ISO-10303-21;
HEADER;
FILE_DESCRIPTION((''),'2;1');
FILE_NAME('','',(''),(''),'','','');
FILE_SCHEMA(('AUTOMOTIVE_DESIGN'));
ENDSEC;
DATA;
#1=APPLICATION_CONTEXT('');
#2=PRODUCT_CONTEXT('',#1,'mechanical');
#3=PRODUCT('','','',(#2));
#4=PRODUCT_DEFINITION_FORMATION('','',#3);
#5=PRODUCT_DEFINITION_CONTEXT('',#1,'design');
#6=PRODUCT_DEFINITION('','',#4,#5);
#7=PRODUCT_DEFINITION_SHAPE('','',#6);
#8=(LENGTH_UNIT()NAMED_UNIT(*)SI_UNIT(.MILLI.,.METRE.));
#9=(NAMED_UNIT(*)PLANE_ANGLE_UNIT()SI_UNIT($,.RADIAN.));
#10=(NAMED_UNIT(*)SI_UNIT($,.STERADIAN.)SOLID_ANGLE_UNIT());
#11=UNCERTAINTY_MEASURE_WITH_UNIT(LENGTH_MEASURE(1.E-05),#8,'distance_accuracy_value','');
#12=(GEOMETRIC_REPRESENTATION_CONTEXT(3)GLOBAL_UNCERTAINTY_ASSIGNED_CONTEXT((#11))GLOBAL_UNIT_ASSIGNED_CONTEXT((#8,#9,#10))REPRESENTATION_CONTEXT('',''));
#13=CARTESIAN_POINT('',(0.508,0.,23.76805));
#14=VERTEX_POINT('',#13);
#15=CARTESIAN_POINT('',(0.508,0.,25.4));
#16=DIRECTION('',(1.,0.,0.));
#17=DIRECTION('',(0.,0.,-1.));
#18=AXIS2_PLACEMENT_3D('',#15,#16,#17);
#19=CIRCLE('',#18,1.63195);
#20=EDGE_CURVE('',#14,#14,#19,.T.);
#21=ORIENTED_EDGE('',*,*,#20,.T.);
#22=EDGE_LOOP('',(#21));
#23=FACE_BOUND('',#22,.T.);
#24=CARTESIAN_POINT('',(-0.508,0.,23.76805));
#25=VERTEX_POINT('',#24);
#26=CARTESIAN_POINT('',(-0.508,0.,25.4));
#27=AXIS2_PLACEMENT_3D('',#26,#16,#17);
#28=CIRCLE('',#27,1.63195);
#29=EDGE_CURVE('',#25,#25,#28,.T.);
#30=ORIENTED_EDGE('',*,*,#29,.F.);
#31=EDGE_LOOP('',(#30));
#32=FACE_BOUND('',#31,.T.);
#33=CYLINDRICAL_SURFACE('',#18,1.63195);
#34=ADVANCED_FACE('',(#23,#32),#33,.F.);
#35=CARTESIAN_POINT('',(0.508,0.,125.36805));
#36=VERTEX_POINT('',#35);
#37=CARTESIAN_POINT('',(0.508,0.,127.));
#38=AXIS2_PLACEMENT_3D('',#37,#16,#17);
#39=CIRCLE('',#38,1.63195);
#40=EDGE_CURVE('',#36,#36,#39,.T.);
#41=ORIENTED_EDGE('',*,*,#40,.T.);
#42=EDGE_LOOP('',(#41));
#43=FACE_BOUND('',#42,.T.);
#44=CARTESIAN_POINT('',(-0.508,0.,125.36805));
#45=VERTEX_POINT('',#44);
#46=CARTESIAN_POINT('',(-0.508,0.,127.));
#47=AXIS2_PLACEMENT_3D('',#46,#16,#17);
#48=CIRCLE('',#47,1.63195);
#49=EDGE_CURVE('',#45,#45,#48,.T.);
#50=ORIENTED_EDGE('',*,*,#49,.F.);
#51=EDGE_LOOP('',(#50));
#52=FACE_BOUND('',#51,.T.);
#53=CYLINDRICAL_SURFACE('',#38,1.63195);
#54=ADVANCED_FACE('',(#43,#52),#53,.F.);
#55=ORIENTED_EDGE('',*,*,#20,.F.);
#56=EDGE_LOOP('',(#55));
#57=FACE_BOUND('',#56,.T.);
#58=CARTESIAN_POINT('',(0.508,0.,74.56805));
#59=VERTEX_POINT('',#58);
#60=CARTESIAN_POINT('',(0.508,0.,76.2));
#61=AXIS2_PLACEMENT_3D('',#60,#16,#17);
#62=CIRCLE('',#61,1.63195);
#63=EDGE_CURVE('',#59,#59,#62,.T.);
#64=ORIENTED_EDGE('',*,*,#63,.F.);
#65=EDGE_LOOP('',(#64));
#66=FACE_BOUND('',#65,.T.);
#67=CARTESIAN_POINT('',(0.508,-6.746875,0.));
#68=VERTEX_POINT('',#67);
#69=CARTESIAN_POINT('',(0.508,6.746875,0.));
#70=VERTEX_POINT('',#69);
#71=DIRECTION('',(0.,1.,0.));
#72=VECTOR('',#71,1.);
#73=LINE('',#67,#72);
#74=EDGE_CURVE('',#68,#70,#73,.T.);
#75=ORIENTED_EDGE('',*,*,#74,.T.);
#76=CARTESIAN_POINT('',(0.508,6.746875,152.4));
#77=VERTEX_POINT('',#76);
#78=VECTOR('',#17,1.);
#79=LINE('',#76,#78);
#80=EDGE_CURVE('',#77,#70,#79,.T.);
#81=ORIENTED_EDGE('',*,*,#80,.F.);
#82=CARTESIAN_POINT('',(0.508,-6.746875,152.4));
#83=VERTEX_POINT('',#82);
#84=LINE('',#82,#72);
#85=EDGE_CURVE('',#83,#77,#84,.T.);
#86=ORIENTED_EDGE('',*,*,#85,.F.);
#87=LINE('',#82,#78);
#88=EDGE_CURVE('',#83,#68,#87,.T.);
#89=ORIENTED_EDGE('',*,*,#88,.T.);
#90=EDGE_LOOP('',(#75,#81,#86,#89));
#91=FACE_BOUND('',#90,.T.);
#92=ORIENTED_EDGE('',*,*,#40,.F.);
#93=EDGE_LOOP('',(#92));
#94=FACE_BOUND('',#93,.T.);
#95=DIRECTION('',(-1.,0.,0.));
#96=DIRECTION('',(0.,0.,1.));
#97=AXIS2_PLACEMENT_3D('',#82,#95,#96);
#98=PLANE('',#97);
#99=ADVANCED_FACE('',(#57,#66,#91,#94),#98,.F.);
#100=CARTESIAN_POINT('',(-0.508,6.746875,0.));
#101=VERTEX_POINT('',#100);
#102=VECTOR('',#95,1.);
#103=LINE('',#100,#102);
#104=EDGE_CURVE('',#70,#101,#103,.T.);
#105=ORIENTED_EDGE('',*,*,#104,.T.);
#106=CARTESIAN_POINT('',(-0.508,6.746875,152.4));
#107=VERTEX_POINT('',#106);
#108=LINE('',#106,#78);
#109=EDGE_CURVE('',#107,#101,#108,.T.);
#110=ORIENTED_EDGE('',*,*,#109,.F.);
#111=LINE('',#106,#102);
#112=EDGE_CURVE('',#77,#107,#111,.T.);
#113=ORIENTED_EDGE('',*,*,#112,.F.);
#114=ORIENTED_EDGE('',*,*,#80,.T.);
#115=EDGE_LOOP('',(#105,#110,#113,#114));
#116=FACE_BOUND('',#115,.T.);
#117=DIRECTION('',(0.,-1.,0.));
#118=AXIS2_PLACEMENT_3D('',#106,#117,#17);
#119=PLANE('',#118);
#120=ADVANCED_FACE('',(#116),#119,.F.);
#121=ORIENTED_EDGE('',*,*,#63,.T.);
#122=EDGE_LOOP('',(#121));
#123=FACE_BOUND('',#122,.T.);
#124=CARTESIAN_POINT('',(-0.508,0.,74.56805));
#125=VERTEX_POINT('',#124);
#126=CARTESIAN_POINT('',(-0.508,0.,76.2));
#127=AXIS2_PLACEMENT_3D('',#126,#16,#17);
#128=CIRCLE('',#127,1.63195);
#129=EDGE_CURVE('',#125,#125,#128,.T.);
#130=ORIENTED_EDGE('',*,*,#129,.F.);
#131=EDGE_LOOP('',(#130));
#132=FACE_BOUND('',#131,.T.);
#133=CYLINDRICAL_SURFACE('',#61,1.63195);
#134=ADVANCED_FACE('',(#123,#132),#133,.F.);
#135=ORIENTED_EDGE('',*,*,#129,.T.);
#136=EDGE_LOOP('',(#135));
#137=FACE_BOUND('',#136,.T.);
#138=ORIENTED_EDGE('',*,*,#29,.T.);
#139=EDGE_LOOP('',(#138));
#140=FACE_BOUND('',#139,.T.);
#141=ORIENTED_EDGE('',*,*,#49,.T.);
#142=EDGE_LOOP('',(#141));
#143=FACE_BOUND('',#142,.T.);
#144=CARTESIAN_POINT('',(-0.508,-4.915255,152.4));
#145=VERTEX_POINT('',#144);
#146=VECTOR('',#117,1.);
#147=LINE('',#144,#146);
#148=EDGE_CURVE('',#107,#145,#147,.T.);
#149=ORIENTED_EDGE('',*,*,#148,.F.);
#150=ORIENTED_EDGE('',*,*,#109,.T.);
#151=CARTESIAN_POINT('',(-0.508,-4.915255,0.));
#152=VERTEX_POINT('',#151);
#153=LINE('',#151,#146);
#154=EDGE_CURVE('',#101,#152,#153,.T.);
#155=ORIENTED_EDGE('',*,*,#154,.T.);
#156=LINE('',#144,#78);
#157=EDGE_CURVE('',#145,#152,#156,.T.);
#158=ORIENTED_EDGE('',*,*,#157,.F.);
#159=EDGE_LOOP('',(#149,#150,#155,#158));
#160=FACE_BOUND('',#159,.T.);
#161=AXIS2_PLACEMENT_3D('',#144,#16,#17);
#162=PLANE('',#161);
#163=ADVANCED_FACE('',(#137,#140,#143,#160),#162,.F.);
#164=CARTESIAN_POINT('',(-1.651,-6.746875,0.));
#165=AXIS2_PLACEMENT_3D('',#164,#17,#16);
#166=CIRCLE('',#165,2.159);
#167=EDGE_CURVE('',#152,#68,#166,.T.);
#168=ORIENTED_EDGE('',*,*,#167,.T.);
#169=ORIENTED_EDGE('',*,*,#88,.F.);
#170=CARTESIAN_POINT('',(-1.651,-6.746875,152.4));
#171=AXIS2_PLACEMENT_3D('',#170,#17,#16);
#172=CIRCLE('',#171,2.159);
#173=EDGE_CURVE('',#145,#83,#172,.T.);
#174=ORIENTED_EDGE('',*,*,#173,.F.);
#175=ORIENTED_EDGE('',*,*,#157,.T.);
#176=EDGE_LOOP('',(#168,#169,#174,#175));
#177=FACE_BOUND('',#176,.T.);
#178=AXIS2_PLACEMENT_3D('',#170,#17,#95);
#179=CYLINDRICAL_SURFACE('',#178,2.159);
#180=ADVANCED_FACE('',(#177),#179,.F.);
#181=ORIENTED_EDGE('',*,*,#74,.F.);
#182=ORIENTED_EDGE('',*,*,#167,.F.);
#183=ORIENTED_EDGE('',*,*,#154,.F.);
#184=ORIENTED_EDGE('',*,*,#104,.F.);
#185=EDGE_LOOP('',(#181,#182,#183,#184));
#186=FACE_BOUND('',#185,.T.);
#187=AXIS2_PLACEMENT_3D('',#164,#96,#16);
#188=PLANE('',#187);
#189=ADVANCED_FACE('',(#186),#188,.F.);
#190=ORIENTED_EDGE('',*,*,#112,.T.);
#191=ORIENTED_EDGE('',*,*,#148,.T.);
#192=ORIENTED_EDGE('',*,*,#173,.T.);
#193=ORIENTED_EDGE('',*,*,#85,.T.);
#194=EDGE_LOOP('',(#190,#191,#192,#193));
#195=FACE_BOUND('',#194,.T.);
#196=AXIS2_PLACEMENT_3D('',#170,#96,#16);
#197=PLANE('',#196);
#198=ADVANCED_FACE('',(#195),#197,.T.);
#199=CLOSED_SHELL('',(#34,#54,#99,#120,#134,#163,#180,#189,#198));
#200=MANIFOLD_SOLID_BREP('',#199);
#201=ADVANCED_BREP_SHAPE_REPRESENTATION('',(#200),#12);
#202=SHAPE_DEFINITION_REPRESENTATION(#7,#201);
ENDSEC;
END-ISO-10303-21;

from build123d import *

# Parameters (mm, degrees)
BOSS_EXTRUDE3_DEPTH       = 152.4
F_4_CLEARANCE_HOLE2_D     = 3.2639
F_4_CLEARANCE_HOLE2_DEPTH = 1.524
F_4_CLEARANCE_HOLE2_TIP   = 0.980574487


with BuildPart() as part:
    # Sketch2 → Boss-Extrude3 (new body)
    with BuildSketch(Plane.XY):
        with BuildLine():
            Line((-0.508, -4.915254952), (-0.508, 6.746875))
            Line((-0.508, 6.746875), (0.508, 6.746875))
            Line((0.508, 6.746875), (0.508, -6.746875))
            ThreePointArc((0.508, -6.746875), (0.236990731, -5.699606171), (-0.508, -4.915254952))
        make_face()
    extrude(amount=BOSS_EXTRUDE3_DEPTH)

    # #4 Clearance Hole2
    with Locations(Plane(origin=(0.508, 0, 0), x_dir=(0, 0, -1), z_dir=(1, 0, 0))):
        with Locations((-25.4, 0), (-76.2, 0), (-177.8, 0), (-127, 0), (-228.6, 0), (-279.4, 0)):
            Hole(F_4_CLEARANCE_HOLE2_D / 2, depth=F_4_CLEARANCE_HOLE2_DEPTH)
            with Locations((0, 0, -(F_4_CLEARANCE_HOLE2_DEPTH + F_4_CLEARANCE_HOLE2_TIP / 2))):  # 118° drill point
                Cone(0, F_4_CLEARANCE_HOLE2_D / 2, F_4_CLEARANCE_HOLE2_TIP, mode=Mode.SUBTRACT)


solid = part.part
